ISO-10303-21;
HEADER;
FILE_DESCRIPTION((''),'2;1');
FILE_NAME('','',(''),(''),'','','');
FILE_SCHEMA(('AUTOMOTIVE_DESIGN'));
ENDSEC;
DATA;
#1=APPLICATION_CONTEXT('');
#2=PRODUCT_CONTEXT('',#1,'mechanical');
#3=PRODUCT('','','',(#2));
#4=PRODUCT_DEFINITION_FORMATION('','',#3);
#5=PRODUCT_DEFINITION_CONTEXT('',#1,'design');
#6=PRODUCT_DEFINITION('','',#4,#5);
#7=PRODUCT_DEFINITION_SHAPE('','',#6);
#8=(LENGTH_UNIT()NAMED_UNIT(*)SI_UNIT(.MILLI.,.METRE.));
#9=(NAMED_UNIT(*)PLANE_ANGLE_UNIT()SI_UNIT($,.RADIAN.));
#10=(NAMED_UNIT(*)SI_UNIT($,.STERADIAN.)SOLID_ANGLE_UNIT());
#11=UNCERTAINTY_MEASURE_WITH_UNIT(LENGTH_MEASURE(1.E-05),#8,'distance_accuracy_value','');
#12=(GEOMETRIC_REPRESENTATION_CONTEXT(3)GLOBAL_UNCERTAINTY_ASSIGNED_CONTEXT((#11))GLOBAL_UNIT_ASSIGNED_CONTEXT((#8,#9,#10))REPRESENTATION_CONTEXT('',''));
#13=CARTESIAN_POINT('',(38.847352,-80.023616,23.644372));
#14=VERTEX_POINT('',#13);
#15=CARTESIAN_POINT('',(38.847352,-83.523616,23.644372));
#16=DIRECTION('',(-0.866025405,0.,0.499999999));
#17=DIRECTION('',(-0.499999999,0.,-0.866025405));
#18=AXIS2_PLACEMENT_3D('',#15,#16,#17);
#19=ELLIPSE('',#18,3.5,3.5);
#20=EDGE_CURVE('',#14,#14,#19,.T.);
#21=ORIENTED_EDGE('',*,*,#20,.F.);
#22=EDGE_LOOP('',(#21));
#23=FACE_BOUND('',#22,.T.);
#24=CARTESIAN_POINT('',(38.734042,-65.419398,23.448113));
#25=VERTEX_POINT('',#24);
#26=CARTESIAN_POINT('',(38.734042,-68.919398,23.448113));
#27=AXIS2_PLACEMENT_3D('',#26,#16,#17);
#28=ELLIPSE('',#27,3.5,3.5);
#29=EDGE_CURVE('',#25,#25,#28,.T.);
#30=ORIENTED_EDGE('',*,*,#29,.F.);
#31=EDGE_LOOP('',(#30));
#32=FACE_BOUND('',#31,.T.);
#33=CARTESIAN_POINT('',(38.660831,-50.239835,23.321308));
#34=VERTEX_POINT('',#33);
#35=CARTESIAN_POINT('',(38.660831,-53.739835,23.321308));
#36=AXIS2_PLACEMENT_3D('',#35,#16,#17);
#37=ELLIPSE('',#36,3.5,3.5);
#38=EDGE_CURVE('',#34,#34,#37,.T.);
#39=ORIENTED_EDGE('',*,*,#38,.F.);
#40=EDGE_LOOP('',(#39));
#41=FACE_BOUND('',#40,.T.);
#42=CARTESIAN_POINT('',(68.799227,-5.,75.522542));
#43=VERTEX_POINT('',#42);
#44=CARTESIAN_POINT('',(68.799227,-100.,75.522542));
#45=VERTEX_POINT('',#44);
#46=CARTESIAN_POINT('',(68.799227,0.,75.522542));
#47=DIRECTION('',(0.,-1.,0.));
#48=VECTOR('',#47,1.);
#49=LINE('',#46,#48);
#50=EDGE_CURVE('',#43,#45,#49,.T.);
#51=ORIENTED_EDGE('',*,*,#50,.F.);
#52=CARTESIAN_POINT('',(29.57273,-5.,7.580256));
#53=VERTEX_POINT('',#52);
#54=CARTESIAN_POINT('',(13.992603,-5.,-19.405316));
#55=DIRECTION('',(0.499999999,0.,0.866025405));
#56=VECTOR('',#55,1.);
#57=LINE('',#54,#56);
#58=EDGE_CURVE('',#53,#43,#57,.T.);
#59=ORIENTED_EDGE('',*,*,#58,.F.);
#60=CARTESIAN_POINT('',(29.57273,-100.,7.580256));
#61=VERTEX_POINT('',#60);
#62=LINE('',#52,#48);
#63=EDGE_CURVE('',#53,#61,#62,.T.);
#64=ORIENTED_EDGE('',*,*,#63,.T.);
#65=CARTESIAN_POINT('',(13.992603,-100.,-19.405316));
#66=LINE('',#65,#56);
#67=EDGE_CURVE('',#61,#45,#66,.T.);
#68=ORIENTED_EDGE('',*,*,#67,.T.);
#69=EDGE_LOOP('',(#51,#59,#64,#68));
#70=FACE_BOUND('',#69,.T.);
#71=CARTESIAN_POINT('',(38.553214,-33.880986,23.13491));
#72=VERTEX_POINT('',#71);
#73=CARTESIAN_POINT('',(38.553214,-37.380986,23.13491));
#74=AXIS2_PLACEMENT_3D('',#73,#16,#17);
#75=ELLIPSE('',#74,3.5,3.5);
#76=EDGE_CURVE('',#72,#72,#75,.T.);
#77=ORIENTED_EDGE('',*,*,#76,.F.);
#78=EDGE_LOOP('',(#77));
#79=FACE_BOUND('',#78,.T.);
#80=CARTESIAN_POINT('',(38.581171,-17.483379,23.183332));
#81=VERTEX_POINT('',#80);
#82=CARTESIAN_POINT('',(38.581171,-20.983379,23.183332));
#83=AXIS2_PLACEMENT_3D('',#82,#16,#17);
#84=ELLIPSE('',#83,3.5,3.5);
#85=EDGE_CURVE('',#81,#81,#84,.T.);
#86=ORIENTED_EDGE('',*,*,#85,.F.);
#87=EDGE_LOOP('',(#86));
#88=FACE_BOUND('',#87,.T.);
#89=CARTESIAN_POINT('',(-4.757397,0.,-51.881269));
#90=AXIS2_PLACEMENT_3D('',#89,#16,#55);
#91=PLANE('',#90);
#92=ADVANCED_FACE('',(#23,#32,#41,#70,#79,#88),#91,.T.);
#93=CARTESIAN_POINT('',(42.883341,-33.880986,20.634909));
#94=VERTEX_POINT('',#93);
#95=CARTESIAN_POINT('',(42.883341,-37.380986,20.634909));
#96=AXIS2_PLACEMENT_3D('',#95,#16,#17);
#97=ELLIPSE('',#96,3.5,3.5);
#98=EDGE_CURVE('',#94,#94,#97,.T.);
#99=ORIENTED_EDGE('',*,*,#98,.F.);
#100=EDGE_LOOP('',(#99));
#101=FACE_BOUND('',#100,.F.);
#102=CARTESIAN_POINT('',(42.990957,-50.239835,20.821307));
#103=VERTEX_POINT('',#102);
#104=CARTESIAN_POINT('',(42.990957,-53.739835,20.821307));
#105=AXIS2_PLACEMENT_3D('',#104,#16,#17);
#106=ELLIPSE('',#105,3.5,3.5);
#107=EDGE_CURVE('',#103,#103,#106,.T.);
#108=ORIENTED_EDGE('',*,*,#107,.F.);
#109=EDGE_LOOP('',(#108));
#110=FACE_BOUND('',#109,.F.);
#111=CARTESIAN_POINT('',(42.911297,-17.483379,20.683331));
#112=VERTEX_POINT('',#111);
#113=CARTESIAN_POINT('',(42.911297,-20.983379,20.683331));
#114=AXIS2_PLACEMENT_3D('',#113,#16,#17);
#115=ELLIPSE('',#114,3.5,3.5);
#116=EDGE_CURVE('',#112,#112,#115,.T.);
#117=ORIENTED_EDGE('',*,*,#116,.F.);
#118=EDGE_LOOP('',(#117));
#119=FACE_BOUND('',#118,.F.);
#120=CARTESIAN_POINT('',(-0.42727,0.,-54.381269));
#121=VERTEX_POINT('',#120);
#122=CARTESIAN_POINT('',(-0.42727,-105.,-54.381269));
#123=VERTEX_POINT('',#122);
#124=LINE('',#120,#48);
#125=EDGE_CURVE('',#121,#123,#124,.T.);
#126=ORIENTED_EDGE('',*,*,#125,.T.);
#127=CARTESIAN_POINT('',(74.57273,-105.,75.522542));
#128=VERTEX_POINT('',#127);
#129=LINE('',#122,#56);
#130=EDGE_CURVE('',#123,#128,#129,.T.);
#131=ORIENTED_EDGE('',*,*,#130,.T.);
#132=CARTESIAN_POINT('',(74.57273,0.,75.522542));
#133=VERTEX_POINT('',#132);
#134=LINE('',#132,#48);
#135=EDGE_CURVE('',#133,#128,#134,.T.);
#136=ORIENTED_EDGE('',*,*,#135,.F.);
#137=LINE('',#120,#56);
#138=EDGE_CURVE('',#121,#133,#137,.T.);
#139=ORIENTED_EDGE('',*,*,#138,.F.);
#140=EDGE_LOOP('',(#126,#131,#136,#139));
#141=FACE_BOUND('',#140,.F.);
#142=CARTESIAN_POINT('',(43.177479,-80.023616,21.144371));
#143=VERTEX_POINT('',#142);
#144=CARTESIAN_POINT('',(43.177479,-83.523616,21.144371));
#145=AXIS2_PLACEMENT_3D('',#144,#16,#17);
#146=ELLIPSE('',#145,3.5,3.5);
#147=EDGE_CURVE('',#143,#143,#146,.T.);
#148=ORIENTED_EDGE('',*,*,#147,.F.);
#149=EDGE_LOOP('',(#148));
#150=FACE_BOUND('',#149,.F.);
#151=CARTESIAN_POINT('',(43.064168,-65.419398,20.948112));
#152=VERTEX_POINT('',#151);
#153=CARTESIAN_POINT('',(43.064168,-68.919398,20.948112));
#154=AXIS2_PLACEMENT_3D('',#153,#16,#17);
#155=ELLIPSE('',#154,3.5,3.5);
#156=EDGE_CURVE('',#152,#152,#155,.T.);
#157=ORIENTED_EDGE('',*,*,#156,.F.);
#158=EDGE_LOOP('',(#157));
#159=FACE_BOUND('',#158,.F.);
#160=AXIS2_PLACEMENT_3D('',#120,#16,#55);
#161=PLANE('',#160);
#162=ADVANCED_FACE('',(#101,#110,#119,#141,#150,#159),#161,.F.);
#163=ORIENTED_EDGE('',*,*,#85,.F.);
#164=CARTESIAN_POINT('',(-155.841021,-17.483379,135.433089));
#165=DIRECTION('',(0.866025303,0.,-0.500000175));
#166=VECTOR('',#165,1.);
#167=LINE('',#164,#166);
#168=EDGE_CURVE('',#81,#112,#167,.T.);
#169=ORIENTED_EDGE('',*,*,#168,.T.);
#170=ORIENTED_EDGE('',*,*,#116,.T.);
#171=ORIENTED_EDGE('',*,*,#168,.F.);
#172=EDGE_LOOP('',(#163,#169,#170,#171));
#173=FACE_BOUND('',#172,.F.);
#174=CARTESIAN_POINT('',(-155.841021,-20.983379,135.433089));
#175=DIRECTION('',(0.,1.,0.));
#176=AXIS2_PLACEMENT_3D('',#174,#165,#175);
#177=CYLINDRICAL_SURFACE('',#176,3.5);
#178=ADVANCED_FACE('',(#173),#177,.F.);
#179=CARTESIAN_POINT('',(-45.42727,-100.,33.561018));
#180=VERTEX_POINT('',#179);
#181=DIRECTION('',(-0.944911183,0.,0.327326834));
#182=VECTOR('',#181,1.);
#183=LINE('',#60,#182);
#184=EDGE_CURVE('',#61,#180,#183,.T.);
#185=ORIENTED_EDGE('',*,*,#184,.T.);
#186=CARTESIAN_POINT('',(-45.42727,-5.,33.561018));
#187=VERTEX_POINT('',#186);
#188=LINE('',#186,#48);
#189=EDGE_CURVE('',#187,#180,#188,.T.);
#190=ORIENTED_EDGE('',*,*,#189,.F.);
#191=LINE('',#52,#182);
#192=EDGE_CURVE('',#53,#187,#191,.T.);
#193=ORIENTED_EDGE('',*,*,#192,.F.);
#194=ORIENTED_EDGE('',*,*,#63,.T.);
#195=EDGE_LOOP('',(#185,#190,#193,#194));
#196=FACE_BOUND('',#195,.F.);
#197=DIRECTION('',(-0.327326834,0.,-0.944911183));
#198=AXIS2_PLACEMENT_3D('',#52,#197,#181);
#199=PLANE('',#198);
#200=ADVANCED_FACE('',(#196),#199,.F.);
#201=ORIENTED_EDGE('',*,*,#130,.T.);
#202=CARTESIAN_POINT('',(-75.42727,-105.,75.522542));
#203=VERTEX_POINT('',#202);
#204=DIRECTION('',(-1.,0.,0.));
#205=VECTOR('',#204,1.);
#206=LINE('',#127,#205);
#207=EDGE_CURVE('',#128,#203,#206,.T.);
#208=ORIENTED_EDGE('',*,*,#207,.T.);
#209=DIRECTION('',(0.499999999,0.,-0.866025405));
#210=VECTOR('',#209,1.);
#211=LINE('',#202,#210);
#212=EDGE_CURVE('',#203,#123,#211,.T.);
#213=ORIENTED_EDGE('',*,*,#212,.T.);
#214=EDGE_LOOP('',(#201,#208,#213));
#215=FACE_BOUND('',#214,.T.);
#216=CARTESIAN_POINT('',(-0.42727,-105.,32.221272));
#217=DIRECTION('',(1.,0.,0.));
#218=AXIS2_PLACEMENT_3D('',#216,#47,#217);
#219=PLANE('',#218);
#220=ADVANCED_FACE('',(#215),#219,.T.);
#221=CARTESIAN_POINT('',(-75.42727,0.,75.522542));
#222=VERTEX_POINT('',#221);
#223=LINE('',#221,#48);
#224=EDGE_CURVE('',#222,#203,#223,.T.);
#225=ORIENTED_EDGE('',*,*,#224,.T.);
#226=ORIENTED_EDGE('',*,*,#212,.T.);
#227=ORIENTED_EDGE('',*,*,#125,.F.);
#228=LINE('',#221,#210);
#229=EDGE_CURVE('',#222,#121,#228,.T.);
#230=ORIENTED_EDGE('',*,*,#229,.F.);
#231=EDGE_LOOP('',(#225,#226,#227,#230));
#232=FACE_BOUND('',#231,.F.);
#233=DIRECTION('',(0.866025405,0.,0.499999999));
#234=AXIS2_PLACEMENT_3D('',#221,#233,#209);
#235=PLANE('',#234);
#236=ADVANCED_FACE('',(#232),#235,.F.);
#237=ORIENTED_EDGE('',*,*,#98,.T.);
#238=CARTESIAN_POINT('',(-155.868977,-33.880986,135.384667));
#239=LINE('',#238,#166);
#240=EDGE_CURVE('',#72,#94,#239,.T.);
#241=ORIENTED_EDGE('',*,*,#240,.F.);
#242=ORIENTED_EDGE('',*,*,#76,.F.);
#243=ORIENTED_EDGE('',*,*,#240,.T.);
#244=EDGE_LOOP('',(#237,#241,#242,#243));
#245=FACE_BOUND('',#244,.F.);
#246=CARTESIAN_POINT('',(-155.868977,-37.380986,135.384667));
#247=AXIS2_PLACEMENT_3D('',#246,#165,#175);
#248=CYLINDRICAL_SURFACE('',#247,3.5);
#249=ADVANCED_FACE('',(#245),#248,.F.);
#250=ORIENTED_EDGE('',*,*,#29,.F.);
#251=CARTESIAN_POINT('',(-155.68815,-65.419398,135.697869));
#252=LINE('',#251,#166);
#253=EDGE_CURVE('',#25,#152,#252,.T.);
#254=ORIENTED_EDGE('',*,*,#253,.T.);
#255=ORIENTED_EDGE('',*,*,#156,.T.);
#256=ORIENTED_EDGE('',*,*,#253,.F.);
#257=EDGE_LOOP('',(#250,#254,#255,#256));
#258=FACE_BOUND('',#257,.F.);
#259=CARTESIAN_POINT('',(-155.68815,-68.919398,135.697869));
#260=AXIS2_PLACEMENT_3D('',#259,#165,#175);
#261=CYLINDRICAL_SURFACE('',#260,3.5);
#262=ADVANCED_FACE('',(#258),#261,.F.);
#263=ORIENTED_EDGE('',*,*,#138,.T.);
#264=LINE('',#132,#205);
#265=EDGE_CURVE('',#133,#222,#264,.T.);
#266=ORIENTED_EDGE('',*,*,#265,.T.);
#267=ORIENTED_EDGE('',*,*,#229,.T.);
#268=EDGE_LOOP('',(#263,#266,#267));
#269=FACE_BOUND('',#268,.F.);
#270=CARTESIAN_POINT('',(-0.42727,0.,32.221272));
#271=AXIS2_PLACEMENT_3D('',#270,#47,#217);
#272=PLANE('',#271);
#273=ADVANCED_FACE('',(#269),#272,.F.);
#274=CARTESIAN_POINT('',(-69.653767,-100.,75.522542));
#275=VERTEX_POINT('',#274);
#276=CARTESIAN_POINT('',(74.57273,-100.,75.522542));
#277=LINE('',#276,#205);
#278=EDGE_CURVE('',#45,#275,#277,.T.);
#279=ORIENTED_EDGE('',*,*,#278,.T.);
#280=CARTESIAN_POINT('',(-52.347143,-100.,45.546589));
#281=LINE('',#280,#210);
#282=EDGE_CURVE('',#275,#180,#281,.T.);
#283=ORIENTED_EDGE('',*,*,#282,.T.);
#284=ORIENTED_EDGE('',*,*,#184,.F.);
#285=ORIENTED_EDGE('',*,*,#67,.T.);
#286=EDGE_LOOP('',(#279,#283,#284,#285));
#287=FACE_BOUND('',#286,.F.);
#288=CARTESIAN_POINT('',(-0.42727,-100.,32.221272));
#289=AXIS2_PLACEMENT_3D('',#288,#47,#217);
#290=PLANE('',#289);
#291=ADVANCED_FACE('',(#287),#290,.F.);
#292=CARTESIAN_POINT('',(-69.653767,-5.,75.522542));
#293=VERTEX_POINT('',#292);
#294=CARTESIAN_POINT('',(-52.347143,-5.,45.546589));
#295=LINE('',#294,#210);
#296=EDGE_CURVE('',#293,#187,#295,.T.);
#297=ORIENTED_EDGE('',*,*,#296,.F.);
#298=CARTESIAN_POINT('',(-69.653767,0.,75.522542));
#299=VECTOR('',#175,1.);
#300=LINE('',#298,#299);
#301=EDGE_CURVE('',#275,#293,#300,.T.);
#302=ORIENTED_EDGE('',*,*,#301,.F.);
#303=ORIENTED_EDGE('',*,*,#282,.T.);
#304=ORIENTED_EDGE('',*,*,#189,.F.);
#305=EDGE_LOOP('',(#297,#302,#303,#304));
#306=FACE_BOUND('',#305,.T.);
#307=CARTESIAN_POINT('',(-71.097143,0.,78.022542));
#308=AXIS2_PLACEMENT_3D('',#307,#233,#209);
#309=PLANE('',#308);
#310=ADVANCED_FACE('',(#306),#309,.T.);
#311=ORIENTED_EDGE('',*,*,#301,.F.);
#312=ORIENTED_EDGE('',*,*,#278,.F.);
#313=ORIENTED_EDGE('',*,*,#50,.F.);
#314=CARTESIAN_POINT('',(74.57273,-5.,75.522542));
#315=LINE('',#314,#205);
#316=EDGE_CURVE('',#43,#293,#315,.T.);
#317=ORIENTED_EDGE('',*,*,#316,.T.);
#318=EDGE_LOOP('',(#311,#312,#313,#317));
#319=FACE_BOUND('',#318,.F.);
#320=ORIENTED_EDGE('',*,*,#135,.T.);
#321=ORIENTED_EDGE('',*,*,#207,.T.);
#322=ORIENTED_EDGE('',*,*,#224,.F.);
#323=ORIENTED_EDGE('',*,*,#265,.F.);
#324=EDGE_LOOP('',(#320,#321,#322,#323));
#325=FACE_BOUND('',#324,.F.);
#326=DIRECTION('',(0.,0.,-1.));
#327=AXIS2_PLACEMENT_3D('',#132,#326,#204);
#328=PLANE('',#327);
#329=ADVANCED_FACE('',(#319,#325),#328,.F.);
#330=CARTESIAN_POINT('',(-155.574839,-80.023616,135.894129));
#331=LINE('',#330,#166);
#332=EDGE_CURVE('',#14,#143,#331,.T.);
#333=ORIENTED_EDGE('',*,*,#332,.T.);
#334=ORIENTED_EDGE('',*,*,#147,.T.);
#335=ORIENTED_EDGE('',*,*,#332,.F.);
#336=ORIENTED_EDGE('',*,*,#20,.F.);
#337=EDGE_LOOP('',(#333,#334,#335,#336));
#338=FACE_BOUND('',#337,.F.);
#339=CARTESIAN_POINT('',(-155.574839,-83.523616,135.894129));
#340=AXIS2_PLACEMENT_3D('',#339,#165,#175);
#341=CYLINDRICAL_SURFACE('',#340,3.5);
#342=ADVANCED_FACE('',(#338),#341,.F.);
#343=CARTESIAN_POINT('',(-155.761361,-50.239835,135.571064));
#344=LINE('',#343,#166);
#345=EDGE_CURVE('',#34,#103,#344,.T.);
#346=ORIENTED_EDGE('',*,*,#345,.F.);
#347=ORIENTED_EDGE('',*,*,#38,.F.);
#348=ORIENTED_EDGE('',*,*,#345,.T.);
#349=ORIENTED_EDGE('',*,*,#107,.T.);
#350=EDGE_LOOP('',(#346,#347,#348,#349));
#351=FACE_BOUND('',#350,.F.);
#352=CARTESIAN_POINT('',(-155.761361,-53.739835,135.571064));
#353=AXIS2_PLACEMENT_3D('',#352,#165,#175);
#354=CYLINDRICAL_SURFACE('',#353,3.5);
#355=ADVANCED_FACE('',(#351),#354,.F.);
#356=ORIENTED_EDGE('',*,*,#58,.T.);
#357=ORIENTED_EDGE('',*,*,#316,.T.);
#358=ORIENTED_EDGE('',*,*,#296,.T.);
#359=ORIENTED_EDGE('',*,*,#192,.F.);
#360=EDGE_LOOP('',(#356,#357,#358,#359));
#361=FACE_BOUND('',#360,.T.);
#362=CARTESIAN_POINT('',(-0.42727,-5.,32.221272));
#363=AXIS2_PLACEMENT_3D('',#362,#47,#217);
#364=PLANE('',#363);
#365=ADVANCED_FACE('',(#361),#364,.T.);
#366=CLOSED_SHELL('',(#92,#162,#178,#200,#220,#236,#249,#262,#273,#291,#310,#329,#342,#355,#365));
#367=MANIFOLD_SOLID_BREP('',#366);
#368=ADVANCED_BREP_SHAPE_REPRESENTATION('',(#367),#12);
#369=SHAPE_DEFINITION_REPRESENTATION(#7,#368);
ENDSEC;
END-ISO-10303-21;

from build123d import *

# Parameters (mm, degrees)
F1_DEPTH = 105
F2_T     = -5
F4_DEPTH = 95
F6_D     = 7


with BuildPart() as f1:
    # F0 (on Front) → F1 (new body)
    with BuildSketch(Plane.XZ):
        Polygon((74.57273, 75.522542), (-75.42727, 75.522542), (-0.42727, -54.381269), align=None)
    extrude(amount=F1_DEPTH)

    # F2
    f2_openings = [f1.faces().sort_by_distance(p)[0] for p in [
        (-0.42727, -52.5, 75.522542),
    ]]
    offset(amount=F2_T, openings=f2_openings)

    # F3 (on face) → F4 (join)
    with BuildSketch(Plane.XZ.offset(5)):
        Polygon((29.57273, 7.580256), (-45.42727, 33.561018), (-0.42727, -44.381269), align=None)
    extrude(amount=F4_DEPTH)

    # F6 (through all)
    with Locations(Plane(origin=(18.897201, 0, -10.910304), x_dir=(0, -1, 0), z_dir=(-0.866025, 0, 0.5))):
        with Locations((83.523616, 39.900303), (20.983379, 39.36794), (37.380986, 39.312027), (53.739835, 39.52726), (68.919398, 39.673682)):
            Hole(F6_D / 2)


solid = f1.part
